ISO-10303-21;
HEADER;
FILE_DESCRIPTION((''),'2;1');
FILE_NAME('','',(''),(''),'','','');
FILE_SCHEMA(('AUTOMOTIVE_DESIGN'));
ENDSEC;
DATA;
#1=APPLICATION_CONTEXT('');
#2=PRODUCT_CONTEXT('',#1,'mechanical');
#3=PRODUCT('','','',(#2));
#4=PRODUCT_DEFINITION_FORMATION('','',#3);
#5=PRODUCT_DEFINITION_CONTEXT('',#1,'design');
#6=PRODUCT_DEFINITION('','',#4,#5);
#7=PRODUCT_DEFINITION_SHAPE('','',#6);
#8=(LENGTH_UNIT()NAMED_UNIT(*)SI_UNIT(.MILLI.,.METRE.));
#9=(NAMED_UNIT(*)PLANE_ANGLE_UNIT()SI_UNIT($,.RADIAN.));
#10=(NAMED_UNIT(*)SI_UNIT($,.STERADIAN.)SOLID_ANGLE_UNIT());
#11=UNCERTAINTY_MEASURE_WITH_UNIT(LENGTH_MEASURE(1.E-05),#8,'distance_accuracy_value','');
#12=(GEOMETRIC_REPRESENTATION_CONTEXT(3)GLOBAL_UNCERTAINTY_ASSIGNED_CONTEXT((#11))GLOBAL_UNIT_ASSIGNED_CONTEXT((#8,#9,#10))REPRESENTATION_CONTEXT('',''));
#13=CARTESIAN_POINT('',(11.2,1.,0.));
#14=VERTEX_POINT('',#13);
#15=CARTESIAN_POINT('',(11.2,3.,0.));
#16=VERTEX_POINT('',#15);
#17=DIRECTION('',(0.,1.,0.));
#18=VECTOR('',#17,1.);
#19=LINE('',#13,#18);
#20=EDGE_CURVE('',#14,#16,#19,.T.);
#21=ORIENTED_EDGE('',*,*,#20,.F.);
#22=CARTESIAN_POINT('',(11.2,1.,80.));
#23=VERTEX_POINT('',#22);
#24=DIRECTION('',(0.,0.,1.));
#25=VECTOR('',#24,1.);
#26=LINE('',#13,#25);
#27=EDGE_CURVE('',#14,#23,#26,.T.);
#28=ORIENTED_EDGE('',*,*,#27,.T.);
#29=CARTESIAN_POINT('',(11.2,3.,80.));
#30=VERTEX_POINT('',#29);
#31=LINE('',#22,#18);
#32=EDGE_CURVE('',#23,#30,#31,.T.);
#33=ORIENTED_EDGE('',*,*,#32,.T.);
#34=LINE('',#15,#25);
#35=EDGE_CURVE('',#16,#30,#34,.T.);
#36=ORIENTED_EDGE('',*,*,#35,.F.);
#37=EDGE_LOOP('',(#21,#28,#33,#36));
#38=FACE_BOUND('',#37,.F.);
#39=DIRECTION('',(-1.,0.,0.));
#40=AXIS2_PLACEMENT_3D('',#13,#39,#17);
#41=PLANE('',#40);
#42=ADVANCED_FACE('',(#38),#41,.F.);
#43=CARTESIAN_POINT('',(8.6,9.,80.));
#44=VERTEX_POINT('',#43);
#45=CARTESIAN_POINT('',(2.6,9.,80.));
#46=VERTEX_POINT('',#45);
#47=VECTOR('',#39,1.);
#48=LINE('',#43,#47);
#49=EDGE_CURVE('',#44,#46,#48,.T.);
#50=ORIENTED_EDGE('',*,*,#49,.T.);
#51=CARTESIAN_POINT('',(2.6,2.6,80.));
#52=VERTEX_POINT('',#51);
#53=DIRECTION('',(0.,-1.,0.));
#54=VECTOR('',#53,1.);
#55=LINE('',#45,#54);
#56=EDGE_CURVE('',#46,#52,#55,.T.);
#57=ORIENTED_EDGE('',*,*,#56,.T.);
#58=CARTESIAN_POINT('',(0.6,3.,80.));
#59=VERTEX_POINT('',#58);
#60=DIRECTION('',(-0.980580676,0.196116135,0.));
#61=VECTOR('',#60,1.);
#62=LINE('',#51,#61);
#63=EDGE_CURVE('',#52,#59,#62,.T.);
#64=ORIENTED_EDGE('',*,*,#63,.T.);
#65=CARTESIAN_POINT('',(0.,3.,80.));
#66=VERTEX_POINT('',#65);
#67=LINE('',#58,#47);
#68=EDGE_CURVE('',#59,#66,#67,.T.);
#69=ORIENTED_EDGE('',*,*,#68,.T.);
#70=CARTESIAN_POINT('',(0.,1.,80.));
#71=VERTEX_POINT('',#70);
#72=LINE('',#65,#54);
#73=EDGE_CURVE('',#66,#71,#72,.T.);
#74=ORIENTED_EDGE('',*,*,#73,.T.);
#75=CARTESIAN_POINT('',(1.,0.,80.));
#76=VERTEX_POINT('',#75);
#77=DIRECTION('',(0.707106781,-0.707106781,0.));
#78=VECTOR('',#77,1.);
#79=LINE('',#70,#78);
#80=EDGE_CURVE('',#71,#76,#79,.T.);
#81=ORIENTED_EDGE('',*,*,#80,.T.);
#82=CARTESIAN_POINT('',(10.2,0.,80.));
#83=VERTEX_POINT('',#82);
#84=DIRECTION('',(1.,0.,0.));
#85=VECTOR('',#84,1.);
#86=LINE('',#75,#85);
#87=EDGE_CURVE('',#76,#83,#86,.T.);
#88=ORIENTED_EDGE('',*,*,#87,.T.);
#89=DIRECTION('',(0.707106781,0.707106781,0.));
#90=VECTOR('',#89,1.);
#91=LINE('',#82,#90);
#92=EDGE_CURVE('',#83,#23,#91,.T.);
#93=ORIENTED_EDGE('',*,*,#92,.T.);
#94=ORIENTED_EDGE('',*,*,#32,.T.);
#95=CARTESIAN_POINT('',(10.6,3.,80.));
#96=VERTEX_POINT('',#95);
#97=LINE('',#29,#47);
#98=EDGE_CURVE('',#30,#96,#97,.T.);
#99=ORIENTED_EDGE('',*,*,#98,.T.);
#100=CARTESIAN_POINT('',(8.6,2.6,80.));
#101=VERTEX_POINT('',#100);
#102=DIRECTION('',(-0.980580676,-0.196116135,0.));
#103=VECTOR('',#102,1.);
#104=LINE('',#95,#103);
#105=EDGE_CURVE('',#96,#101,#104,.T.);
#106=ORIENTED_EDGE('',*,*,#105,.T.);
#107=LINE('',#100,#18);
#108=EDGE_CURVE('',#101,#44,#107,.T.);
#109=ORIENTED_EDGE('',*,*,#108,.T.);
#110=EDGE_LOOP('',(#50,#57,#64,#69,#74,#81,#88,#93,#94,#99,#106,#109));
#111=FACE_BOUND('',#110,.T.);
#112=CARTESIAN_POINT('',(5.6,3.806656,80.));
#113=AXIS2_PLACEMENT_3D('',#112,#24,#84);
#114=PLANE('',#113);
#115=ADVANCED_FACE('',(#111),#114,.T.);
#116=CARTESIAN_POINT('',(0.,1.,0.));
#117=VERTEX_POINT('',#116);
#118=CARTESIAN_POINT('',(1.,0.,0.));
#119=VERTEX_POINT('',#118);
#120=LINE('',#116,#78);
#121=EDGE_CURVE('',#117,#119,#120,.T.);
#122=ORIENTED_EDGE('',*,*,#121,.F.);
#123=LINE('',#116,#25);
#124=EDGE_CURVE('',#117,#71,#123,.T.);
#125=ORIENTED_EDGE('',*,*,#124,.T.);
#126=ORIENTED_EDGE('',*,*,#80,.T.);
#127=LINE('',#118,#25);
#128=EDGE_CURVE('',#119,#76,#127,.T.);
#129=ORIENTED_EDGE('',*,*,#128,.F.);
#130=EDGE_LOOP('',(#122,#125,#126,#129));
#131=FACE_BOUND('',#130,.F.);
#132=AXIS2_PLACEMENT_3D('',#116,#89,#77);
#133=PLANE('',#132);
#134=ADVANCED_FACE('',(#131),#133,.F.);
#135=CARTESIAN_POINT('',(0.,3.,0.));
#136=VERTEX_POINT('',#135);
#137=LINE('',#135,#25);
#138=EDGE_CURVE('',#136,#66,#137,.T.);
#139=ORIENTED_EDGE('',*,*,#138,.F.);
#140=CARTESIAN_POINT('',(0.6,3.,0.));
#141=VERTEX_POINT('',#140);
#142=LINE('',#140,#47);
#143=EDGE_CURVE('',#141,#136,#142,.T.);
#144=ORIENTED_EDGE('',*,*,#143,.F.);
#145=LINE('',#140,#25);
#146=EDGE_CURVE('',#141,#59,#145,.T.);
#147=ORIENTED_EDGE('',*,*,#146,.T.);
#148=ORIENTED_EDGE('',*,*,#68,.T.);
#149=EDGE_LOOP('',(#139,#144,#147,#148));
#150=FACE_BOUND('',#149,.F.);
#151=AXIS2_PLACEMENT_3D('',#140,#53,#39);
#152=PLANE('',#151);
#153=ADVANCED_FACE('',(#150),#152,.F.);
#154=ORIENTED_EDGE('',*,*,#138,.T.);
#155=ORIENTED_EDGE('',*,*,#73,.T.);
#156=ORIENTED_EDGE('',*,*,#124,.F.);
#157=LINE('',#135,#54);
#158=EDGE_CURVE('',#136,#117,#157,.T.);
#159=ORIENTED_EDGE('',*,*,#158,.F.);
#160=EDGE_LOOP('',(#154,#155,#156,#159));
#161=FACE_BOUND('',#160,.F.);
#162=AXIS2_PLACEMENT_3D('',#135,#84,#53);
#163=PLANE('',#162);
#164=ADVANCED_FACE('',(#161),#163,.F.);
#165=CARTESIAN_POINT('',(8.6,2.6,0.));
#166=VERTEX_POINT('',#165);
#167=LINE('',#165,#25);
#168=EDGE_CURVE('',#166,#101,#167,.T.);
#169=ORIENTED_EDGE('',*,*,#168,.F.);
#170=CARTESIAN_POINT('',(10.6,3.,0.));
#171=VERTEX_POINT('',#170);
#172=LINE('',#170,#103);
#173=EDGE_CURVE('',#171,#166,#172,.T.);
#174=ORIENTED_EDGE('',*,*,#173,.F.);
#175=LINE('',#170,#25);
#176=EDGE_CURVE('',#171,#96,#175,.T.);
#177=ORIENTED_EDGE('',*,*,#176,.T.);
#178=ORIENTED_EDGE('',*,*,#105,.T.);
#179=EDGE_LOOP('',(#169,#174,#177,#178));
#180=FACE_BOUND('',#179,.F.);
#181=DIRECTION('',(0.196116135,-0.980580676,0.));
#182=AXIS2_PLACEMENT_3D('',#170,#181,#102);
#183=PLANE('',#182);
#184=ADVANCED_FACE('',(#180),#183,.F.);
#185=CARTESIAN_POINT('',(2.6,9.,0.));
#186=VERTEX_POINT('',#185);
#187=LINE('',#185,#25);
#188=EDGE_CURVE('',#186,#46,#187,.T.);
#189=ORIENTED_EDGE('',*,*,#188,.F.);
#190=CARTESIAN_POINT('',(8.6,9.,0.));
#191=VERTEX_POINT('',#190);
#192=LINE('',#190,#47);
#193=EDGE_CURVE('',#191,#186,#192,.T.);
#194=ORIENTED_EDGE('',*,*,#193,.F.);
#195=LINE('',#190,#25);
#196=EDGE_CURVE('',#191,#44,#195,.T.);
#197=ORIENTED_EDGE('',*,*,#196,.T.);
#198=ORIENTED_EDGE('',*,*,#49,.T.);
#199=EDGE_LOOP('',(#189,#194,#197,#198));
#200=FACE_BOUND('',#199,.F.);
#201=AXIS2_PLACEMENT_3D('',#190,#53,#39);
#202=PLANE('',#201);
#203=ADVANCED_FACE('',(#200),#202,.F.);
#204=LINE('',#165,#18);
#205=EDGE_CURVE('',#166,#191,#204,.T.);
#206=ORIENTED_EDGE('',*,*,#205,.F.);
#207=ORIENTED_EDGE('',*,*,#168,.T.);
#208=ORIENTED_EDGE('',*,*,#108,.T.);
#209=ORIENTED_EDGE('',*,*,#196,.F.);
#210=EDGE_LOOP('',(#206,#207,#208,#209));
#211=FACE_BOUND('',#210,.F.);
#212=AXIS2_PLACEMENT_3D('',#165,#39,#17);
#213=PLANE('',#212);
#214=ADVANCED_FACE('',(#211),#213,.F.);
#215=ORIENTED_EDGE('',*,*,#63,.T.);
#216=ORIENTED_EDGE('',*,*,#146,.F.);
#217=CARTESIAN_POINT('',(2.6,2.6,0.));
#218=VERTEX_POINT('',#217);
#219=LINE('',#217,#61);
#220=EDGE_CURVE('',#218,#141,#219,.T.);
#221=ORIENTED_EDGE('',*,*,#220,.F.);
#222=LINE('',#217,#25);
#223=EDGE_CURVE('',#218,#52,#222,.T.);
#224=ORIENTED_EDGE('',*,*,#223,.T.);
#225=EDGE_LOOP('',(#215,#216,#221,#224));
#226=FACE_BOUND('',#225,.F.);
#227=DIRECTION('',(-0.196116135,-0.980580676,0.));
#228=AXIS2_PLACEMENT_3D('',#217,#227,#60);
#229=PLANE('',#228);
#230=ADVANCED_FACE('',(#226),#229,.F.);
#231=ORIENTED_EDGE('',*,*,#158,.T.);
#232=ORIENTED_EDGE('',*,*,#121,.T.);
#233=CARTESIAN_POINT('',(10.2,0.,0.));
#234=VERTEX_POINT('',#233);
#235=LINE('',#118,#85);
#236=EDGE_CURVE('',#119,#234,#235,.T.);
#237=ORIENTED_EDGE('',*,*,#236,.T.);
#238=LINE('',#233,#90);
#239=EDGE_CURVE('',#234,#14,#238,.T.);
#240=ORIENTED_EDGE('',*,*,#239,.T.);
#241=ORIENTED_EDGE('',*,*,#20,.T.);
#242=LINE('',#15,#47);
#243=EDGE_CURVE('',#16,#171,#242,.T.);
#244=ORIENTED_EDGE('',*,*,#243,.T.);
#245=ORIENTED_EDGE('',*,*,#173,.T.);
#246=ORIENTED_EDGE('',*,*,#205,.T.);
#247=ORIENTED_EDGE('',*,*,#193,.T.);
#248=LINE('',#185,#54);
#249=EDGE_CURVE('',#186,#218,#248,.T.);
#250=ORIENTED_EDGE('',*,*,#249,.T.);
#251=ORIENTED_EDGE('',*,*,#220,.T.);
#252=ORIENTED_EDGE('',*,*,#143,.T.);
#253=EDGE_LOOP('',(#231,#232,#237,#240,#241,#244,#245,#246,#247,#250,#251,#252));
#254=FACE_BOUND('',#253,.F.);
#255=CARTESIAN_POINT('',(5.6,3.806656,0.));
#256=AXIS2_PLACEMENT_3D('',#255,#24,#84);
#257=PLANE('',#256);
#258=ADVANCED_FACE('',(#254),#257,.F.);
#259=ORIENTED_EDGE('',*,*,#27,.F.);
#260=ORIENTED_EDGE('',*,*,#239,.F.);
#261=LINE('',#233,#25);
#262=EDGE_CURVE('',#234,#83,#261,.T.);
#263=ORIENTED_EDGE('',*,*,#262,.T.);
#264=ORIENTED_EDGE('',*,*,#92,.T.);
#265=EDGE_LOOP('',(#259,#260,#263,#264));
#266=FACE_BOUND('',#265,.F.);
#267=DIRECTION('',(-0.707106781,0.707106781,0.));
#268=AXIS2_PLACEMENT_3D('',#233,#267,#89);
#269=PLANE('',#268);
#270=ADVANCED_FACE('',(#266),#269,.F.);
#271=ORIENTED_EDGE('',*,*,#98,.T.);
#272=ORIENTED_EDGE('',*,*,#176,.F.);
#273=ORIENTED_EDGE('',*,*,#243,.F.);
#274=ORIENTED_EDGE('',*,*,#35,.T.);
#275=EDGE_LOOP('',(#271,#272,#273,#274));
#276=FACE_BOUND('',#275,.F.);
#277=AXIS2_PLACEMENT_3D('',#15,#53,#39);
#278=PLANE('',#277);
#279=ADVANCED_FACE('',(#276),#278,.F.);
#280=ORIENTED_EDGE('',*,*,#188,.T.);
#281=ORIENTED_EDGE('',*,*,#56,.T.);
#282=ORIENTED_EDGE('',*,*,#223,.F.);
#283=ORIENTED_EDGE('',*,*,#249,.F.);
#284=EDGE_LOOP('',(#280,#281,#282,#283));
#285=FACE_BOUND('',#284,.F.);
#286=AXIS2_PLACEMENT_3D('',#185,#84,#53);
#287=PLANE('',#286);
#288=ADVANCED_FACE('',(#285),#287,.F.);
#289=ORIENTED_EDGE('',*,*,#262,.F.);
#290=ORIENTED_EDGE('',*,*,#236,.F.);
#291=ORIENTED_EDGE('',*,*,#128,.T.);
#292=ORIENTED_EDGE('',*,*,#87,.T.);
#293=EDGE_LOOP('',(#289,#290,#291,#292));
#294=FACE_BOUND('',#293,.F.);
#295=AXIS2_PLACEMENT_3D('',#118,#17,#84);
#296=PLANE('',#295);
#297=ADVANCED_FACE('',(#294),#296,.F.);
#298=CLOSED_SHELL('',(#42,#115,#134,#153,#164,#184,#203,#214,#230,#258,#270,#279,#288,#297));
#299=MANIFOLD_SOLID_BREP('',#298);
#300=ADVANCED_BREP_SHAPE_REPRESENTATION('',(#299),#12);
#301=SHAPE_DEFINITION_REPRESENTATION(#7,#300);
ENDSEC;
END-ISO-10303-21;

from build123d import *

# Parameters (mm, degrees)
PAD_DEPTH = 80


with BuildPart() as part:
    # Sketch → Pad (new body)
    with BuildSketch(Plane.XY):
        Polygon((0, 3), (0, 1), (1, 0), (10.2, 0), (11.2, 1), (11.2, 3), (10.6, 3), (8.6, 2.6), (8.6, 9), (2.6, 9), (2.6, 2.6), (0.6, 3), align=None)
    extrude(amount=PAD_DEPTH)


solid = part.part
